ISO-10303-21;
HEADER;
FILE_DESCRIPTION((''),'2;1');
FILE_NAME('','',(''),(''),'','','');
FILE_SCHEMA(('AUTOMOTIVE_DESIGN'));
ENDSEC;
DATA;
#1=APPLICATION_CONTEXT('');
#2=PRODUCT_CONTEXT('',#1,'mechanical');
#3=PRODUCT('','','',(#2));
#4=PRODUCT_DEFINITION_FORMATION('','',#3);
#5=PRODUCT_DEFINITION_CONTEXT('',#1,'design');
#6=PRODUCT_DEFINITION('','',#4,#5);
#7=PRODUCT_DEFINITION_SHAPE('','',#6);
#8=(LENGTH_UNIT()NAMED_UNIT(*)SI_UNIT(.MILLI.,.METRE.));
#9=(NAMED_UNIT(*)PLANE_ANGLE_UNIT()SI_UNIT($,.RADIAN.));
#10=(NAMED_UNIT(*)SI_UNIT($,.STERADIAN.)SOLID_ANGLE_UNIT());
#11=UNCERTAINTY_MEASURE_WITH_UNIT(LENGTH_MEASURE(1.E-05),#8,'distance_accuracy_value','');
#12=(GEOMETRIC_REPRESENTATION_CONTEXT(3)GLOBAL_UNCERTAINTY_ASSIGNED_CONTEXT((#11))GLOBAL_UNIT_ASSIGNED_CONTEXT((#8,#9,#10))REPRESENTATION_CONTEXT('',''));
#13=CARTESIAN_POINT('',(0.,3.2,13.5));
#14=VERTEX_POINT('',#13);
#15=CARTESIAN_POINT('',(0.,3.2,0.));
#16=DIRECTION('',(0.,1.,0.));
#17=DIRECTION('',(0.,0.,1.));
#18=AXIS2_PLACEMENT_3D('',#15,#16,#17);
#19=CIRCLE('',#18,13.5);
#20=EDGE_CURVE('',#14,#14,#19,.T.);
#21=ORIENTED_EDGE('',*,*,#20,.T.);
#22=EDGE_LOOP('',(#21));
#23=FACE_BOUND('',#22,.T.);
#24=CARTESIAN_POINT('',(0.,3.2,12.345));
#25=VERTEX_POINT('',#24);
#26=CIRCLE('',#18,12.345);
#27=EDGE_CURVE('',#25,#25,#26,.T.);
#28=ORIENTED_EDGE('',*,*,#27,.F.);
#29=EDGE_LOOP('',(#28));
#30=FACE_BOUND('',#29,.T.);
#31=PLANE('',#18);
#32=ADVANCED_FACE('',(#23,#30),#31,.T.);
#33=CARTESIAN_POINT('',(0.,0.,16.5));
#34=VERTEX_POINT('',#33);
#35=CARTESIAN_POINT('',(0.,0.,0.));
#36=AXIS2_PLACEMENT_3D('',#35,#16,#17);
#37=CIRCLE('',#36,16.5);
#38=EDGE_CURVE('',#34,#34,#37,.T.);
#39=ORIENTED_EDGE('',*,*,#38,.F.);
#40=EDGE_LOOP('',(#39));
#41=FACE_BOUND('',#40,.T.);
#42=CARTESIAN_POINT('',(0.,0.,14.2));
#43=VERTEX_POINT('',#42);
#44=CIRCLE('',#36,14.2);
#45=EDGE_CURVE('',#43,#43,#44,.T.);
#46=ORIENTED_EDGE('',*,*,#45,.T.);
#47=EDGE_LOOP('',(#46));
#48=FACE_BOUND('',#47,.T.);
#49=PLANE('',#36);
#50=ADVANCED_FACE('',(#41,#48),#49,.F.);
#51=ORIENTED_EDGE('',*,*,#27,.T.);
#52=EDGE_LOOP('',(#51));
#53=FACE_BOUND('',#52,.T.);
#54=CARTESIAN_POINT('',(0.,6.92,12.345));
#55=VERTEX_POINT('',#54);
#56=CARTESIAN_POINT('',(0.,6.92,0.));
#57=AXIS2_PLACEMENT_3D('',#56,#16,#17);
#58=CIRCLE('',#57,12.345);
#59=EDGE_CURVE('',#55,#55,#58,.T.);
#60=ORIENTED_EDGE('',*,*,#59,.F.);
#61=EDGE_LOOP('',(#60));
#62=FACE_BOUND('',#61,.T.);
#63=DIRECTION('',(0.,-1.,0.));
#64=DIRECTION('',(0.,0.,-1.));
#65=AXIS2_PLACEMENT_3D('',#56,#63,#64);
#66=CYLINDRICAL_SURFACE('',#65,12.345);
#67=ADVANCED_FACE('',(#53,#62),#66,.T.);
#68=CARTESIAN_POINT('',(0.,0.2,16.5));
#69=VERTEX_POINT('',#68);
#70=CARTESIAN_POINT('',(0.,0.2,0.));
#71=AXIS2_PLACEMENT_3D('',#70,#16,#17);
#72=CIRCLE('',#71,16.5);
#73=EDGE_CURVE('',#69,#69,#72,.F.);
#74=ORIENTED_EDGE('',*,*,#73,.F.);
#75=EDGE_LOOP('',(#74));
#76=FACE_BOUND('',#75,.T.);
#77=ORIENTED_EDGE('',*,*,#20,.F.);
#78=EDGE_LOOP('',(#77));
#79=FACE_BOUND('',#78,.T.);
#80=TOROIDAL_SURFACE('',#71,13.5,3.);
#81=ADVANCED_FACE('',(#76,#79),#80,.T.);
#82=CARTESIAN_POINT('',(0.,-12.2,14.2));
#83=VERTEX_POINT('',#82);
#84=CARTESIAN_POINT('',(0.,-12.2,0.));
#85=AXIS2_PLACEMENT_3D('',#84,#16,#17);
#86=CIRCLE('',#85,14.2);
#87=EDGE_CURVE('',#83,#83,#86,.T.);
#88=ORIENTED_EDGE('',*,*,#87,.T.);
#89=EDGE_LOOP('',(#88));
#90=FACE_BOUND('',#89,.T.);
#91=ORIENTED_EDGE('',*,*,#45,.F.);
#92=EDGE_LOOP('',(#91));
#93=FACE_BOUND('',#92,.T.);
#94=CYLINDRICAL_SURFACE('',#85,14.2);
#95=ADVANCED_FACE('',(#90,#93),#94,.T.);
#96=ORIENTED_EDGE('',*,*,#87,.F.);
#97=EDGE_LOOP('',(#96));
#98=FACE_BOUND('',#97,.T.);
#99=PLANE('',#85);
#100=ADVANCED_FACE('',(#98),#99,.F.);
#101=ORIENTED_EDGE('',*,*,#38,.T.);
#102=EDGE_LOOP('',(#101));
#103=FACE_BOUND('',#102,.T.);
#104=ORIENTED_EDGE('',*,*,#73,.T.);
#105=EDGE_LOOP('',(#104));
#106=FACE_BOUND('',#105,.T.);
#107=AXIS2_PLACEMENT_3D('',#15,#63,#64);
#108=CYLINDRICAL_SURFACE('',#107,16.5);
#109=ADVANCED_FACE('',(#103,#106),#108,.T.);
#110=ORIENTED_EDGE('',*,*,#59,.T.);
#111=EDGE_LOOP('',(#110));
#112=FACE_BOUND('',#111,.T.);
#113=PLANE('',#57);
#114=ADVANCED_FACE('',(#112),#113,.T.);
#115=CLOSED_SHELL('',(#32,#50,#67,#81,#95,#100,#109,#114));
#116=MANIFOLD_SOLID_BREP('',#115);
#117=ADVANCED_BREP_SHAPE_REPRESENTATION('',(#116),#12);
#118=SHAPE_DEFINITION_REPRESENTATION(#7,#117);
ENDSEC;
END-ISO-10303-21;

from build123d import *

# Parameters (mm, degrees)
SKETCH1_R           = 14.2
BOSS_EXTRUDE1_DEPTH = 12.2
SKETCH2_R           = 16.5
BOSS_EXTRUDE2_DEPTH = 3.2
FILLET1_R           = 3
SKETCH3_R           = 12.345
BOSS_EXTRUDE3_DEPTH = 3.72


with BuildPart() as part:
    # Sketch1 → Boss-Extrude1 (new body)
    with BuildSketch(Plane(origin=(0, 0, 0), x_dir=(1, 0, 0), z_dir=(0, 1, 0))):
        with Locations(Location((0, 0, 0), (0, 0, 270))):
            Circle(SKETCH1_R)
    extrude(amount=-BOSS_EXTRUDE1_DEPTH)

    # Sketch2 → Boss-Extrude2 (add)
    with BuildSketch(Plane(origin=(0, 0, 0), x_dir=(1, 0, 0), z_dir=(0, 1, 0))):
        with Locations(Location((0, 0, 0), (0, 0, 270))):
            Circle(SKETCH2_R)
    extrude(amount=BOSS_EXTRUDE2_DEPTH)

    # Fillet1
    fillet1_edges = [part.edges().sort_by_distance(p)[0] for p in [
        (0, 3.2, -16.5),
    ]]
    fillet(fillet1_edges, radius=FILLET1_R)

    # Sketch3 → Boss-Extrude3 (add)
    with BuildSketch(Plane(origin=(0, 3.2, 0), x_dir=(1, 0, 0), z_dir=(0, 1, 0))):
        with Locations(Location((0, 0, 0), (0, 0, 270))):
            Circle(SKETCH3_R)
    extrude(amount=BOSS_EXTRUDE3_DEPTH)


solid = part.part
